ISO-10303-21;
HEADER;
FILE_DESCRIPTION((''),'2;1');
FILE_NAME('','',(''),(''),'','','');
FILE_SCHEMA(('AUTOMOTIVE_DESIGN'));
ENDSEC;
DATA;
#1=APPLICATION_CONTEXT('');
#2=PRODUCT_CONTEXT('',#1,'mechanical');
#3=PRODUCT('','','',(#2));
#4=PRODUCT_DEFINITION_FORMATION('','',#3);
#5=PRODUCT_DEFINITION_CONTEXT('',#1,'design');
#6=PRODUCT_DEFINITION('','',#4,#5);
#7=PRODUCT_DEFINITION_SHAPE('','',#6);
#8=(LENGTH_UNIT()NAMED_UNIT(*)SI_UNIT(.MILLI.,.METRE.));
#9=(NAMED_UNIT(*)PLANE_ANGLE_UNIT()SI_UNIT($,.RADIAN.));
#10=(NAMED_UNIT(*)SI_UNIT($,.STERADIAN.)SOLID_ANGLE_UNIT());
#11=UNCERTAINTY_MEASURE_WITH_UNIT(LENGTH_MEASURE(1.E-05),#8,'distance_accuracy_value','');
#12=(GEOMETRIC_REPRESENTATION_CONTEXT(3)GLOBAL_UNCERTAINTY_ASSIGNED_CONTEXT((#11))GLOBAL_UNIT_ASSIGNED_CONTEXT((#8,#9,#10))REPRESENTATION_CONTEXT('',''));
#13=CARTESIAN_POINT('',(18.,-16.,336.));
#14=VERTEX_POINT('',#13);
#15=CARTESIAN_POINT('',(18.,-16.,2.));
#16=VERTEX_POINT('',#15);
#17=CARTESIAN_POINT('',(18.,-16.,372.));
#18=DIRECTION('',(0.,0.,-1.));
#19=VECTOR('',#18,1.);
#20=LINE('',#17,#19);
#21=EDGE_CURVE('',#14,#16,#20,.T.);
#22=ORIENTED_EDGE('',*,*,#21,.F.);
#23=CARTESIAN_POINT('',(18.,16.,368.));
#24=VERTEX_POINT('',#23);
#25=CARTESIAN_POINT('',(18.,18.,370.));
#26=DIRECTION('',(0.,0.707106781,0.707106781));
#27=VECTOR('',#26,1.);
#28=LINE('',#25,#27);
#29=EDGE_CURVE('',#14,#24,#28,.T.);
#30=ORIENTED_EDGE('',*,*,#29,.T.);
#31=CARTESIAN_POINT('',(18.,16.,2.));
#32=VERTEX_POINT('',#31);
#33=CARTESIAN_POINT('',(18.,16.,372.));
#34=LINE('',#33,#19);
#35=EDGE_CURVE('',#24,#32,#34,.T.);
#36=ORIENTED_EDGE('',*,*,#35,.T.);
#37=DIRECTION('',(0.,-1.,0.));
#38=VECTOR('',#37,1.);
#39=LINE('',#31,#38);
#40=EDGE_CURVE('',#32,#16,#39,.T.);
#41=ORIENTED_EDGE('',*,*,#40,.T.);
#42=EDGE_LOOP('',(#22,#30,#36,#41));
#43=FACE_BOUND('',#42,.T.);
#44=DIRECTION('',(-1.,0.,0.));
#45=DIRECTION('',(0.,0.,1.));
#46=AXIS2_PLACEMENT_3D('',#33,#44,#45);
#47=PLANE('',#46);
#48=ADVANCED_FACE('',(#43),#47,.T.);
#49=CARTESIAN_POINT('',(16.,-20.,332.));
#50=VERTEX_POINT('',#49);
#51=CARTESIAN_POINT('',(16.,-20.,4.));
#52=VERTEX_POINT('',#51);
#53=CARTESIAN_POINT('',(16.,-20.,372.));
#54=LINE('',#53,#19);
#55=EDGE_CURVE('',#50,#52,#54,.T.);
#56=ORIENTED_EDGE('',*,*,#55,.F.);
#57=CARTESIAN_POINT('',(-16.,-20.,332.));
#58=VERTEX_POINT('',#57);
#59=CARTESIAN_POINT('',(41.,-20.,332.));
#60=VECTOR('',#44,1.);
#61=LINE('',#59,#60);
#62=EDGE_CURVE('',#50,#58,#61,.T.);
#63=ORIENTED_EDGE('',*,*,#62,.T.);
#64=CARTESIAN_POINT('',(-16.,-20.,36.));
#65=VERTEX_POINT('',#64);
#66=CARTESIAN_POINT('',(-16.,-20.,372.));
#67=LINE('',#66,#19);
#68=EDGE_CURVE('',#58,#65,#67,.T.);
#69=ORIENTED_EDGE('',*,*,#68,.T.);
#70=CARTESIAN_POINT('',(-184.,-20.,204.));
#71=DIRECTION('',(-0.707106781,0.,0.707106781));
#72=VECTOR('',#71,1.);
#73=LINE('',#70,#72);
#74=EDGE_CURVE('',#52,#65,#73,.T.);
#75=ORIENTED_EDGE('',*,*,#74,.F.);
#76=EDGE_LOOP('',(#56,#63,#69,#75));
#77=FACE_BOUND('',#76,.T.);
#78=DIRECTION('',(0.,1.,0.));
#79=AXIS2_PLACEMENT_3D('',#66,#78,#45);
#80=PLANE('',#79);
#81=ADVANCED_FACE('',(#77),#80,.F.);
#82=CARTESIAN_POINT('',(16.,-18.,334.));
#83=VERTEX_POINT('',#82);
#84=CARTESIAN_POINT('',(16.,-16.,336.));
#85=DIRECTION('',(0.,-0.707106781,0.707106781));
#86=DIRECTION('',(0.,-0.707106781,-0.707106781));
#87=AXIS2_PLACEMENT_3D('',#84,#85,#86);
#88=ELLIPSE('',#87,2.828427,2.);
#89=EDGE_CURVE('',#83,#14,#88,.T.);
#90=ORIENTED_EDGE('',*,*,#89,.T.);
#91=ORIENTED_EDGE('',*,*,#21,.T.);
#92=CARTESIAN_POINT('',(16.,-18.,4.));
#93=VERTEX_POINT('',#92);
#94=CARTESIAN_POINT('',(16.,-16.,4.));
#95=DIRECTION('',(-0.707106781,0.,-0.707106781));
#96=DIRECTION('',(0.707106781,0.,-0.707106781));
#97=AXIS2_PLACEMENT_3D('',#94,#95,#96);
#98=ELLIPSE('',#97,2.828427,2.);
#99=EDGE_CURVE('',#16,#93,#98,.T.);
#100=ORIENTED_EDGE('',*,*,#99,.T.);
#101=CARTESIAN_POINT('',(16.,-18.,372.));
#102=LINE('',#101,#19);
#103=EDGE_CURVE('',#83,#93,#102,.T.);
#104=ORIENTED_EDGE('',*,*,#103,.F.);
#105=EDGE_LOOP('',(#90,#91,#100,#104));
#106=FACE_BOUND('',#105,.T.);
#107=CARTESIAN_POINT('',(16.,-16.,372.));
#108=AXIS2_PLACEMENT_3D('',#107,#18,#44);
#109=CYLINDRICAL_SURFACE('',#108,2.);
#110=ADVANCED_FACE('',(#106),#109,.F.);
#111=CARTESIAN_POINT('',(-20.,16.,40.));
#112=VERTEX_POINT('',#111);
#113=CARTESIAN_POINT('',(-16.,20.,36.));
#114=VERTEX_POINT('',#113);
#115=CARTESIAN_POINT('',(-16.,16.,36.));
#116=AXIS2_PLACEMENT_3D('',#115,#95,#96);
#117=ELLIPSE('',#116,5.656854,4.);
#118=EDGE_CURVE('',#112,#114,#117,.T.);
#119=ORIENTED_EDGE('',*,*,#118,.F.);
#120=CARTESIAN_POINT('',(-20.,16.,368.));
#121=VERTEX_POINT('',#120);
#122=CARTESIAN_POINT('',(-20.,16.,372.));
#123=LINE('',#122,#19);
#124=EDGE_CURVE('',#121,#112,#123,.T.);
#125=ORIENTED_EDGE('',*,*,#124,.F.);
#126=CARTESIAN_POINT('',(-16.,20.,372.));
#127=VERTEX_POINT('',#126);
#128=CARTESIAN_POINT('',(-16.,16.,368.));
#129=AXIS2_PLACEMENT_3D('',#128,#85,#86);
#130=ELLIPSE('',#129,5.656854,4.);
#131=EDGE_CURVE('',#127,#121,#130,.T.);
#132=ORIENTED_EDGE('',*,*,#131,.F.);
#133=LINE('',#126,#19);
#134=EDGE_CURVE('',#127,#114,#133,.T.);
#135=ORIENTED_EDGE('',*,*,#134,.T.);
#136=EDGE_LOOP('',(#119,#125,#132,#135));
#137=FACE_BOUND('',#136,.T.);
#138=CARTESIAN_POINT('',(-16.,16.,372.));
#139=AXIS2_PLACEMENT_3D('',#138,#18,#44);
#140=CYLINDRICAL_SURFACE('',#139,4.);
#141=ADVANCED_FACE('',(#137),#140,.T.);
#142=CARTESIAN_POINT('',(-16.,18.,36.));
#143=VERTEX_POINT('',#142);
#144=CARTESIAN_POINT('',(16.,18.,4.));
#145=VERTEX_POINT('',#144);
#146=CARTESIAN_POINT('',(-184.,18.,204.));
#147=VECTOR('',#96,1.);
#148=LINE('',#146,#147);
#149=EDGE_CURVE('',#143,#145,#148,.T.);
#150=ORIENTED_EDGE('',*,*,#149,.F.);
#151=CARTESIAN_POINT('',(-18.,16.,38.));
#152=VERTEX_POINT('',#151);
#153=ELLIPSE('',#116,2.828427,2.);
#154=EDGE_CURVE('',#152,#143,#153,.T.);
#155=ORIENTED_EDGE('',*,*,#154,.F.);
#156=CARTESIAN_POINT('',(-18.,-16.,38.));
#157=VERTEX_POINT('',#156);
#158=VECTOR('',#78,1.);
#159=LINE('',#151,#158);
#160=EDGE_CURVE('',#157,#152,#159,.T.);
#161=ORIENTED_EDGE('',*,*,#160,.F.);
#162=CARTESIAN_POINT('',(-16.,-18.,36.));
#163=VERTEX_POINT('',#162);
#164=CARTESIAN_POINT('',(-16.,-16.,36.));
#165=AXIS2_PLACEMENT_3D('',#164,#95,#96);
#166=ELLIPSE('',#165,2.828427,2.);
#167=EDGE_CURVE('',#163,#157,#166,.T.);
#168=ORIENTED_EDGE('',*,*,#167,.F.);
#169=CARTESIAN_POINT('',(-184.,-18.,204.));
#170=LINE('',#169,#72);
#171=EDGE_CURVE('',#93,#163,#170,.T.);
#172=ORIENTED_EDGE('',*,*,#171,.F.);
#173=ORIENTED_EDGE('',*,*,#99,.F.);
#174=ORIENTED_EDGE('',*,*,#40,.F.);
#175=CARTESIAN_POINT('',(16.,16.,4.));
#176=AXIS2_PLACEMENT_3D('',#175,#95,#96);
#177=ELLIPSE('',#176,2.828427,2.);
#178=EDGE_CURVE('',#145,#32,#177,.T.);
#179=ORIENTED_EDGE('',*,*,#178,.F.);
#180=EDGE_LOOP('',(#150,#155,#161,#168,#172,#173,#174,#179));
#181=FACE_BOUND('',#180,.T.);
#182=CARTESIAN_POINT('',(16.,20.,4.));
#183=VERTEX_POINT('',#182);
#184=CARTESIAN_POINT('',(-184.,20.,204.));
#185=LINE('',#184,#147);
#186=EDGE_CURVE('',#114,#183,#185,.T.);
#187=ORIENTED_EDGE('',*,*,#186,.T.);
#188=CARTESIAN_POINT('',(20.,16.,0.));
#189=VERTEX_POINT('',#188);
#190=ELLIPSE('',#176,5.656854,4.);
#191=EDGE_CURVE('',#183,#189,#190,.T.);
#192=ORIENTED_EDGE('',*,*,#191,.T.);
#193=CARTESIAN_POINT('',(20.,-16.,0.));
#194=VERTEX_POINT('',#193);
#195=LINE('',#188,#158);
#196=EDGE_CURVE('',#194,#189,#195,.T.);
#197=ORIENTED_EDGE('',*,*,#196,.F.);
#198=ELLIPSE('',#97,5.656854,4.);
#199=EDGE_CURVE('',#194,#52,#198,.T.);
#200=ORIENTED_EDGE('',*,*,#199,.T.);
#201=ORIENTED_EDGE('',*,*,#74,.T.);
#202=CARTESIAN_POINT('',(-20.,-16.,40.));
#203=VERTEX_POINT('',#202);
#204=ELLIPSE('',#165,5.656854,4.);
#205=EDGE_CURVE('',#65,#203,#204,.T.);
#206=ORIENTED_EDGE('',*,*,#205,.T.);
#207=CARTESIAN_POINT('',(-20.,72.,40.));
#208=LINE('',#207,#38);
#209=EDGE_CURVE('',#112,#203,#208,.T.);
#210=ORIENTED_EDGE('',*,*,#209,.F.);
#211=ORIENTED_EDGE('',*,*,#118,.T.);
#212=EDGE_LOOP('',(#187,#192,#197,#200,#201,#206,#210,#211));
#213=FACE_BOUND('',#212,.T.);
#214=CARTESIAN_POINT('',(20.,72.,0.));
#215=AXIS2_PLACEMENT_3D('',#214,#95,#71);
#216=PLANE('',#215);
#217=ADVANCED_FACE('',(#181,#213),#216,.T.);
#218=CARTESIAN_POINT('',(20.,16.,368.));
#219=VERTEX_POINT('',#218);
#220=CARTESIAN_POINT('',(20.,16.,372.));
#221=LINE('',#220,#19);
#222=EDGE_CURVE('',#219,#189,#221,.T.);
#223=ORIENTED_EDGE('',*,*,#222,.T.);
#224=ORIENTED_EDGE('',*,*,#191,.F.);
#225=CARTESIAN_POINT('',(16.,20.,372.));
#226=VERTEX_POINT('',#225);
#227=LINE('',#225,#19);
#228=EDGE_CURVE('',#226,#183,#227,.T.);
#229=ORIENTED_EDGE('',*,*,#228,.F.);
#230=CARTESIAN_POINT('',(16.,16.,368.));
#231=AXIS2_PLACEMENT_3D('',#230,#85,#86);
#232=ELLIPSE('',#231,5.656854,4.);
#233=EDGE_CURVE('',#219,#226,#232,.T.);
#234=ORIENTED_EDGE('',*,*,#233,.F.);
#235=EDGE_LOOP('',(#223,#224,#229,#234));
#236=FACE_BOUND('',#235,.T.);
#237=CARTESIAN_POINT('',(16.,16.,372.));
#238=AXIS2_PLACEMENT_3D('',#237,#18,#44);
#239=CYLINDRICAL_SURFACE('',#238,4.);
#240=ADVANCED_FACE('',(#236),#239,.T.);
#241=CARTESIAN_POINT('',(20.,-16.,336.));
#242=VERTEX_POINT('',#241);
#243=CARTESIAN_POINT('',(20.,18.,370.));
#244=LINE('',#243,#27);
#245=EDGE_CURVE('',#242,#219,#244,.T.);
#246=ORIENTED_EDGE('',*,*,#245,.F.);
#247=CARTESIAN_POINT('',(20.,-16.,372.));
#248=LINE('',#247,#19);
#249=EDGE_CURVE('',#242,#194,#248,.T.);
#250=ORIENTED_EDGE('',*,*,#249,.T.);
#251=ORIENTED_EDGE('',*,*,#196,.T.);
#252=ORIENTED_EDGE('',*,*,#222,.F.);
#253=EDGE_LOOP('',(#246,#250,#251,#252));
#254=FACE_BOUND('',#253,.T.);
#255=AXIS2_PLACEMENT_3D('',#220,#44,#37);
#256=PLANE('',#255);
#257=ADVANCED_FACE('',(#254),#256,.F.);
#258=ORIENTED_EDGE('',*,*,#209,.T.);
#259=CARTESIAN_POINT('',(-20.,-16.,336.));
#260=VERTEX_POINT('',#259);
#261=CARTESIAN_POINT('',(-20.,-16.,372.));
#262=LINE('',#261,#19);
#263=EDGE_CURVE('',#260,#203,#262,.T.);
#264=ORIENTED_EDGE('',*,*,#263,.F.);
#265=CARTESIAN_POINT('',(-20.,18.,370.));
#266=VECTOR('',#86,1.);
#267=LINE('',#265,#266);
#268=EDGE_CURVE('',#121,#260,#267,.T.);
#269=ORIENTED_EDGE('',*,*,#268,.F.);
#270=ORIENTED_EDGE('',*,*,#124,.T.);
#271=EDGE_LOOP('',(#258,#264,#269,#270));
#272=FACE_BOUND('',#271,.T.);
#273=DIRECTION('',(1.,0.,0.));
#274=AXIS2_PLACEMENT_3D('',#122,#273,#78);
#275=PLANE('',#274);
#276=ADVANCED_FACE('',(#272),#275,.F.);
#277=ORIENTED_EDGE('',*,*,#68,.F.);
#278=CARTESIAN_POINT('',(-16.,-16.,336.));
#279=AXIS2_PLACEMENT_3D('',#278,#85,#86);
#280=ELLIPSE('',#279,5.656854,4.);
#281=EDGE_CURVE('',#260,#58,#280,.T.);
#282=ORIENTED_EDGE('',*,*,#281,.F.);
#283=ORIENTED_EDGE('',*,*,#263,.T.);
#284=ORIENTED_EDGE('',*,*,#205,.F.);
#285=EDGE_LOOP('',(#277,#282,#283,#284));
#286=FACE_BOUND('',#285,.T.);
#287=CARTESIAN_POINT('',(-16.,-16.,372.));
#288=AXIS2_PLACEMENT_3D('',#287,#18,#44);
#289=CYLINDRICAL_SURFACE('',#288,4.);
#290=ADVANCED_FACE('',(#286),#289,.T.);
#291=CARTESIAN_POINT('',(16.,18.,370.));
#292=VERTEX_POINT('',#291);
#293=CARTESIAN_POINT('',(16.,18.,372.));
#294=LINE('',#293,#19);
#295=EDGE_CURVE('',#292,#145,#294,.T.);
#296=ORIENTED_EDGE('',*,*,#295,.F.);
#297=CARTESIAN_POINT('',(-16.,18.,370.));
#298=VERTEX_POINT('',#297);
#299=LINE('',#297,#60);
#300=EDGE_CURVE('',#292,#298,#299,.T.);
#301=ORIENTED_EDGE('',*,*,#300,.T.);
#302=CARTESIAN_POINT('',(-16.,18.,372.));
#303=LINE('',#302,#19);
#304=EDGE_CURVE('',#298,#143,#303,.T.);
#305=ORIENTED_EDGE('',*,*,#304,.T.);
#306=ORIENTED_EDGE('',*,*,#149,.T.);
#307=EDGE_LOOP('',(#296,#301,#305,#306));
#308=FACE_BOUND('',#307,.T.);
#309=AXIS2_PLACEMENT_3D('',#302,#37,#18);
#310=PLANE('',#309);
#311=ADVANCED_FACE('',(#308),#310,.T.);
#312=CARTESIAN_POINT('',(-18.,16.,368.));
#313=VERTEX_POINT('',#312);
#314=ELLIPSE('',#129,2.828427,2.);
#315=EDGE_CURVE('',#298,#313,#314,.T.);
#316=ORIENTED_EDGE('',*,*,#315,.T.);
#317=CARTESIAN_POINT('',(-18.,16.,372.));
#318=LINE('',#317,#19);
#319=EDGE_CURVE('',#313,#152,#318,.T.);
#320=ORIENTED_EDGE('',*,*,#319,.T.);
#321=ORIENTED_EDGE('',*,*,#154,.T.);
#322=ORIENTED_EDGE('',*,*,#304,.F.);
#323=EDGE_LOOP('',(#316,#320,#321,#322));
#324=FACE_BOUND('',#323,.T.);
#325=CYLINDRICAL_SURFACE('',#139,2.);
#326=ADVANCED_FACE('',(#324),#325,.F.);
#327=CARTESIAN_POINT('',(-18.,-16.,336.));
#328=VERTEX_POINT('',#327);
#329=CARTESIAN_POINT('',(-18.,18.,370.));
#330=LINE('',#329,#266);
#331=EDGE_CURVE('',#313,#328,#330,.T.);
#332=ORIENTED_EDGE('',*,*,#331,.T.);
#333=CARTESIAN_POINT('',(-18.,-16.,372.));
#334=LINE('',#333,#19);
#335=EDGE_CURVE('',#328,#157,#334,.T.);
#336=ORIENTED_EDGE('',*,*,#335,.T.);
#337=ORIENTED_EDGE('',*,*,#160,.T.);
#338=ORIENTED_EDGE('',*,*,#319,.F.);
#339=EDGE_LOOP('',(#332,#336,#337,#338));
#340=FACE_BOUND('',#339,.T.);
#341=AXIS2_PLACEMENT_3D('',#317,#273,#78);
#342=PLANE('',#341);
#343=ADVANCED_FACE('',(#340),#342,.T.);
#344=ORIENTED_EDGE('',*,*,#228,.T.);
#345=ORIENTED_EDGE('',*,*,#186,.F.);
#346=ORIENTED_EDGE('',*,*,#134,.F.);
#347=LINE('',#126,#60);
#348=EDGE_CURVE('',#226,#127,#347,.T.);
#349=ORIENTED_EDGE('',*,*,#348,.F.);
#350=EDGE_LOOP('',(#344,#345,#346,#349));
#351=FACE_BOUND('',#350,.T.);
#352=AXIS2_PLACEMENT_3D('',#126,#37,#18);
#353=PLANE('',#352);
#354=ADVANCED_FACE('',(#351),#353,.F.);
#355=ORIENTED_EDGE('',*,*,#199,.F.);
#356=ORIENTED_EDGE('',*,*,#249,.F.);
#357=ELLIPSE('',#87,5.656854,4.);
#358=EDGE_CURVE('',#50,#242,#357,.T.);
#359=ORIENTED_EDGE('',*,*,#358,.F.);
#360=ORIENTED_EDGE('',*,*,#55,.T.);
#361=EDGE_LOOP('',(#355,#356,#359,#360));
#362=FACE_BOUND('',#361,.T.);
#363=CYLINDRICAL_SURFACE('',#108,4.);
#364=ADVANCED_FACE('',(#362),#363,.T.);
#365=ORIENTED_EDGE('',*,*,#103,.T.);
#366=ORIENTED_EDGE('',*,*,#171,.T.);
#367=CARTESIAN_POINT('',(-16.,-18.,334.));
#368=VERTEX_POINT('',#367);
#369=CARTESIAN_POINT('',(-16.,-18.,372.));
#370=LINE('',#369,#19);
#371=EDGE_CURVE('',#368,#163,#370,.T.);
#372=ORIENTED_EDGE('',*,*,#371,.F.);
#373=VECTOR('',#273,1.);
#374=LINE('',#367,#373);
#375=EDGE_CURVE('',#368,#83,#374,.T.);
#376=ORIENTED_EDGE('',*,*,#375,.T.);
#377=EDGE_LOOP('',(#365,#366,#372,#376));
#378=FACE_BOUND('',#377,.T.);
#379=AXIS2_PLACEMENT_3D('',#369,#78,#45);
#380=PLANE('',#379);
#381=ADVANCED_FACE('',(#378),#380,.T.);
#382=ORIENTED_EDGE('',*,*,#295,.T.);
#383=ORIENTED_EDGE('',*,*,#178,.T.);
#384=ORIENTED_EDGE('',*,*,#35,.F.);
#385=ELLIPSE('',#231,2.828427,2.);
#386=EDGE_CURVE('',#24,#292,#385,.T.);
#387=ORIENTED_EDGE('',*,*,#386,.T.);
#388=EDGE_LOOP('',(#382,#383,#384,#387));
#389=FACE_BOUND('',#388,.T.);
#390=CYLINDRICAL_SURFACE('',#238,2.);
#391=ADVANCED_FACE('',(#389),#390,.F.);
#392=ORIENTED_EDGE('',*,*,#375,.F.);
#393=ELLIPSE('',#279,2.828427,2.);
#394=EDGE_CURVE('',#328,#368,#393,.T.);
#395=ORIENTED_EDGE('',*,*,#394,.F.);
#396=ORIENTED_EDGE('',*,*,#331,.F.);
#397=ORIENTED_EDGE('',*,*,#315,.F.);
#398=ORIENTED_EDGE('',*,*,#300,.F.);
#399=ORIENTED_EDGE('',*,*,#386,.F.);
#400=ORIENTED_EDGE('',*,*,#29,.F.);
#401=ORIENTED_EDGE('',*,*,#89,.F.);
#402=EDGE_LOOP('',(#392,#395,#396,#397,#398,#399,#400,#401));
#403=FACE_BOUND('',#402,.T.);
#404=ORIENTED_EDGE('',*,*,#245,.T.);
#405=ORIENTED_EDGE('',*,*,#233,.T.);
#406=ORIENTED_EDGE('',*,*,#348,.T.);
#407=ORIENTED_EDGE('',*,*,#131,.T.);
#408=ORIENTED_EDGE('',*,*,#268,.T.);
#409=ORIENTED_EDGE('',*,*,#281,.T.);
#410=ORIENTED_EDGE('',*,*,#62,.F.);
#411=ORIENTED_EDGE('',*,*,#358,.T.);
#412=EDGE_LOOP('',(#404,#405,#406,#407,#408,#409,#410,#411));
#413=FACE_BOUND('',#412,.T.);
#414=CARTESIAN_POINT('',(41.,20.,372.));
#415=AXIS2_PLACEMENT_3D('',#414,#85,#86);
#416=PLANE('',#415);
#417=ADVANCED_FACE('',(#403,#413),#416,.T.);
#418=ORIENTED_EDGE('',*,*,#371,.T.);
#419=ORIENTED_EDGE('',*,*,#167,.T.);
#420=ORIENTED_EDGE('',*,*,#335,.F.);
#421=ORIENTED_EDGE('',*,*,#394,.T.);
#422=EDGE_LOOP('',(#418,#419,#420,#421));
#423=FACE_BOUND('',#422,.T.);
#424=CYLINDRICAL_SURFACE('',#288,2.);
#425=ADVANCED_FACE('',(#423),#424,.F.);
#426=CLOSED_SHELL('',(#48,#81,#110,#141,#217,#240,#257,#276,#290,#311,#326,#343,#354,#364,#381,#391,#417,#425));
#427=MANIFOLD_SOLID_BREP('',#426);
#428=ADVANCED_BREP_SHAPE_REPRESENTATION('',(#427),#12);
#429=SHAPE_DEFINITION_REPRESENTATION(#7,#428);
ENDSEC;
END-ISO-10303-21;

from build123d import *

# Parameters (mm, degrees)
Y_KSEKLIK_EKSTR_ZYON1_DEPTH = 372
KES_EKSTR_ZYON1_DEPTH       = 41
KES_EKSTR_ZYON1_DEPTH_BACK  = 43
KES_EKSTR_ZYON2_DEPTH       = 72
KES_EKSTR_ZYON2_DEPTH_BACK  = 61


with BuildPart() as part:
    # Çizim1 → Yükseklik-Ekstrüzyon1 (new body)
    with BuildSketch(Plane.XY):
        with BuildLine():
            Line((-16, 20), (16, 20))
            ThreePointArc((16, 20), (18.828427125, 18.828427125), (20, 16))
            Line((20, 16), (20, -16))
            ThreePointArc((20, -16), (18.828427125, -18.828427125), (16, -20))
            Line((16, -20), (-16, -20))
            ThreePointArc((-16, -20), (-18.828427125, -18.828427125), (-20, -16))
            Line((-20, -16), (-20, 16))
            ThreePointArc((-20, 16), (-18.828427125, 18.828427125), (-16, 20))
        make_face()
        with BuildLine():
            Line((-18, 16), (-18, -16))
            ThreePointArc((-18, -16), (-17.414213562, -17.414213562), (-16, -18))
            Line((-16, -18), (16, -18))
            ThreePointArc((16, -18), (17.414213562, -17.414213562), (18, -16))
            Line((18, -16), (18, 16))
            ThreePointArc((18, 16), (17.414213562, 17.414213562), (16, 18))
            Line((16, 18), (-16, 18))
            ThreePointArc((-16, 18), (-17.414213562, 17.414213562), (-18, 16))
        make_face(mode=Mode.SUBTRACT)
    extrude(amount=Y_KSEKLIK_EKSTR_ZYON1_DEPTH)

    # Çizim3 → Kes-Ekstrüzyon1 (cut, two sides: drawn at the far end of the back side and taken through both)
    with BuildSketch(Plane(origin=(0, 0, 0), x_dir=(0, 0, -1), z_dir=(1, 0, 0)).offset(-KES_EKSTR_ZYON1_DEPTH_BACK)):
        Polygon((-372, 20), (-332, -20), (-372, -20), align=None)
    extrude(amount=KES_EKSTR_ZYON1_DEPTH + KES_EKSTR_ZYON1_DEPTH_BACK, mode=Mode.SUBTRACT)

    # Çizim5 → Kes-Ekstrüzyon2 (cut, two sides: drawn at the far end of the back side and taken through both)
    with BuildSketch(Plane(origin=(0, 0, 0), x_dir=(1, 0, 0), z_dir=(0, 1, 0)).offset(-KES_EKSTR_ZYON2_DEPTH_BACK)):
        Polygon((20, 0), (-20, -40), (-20, 0), align=None)
    extrude(amount=KES_EKSTR_ZYON2_DEPTH + KES_EKSTR_ZYON2_DEPTH_BACK, mode=Mode.SUBTRACT)


solid = part.part
